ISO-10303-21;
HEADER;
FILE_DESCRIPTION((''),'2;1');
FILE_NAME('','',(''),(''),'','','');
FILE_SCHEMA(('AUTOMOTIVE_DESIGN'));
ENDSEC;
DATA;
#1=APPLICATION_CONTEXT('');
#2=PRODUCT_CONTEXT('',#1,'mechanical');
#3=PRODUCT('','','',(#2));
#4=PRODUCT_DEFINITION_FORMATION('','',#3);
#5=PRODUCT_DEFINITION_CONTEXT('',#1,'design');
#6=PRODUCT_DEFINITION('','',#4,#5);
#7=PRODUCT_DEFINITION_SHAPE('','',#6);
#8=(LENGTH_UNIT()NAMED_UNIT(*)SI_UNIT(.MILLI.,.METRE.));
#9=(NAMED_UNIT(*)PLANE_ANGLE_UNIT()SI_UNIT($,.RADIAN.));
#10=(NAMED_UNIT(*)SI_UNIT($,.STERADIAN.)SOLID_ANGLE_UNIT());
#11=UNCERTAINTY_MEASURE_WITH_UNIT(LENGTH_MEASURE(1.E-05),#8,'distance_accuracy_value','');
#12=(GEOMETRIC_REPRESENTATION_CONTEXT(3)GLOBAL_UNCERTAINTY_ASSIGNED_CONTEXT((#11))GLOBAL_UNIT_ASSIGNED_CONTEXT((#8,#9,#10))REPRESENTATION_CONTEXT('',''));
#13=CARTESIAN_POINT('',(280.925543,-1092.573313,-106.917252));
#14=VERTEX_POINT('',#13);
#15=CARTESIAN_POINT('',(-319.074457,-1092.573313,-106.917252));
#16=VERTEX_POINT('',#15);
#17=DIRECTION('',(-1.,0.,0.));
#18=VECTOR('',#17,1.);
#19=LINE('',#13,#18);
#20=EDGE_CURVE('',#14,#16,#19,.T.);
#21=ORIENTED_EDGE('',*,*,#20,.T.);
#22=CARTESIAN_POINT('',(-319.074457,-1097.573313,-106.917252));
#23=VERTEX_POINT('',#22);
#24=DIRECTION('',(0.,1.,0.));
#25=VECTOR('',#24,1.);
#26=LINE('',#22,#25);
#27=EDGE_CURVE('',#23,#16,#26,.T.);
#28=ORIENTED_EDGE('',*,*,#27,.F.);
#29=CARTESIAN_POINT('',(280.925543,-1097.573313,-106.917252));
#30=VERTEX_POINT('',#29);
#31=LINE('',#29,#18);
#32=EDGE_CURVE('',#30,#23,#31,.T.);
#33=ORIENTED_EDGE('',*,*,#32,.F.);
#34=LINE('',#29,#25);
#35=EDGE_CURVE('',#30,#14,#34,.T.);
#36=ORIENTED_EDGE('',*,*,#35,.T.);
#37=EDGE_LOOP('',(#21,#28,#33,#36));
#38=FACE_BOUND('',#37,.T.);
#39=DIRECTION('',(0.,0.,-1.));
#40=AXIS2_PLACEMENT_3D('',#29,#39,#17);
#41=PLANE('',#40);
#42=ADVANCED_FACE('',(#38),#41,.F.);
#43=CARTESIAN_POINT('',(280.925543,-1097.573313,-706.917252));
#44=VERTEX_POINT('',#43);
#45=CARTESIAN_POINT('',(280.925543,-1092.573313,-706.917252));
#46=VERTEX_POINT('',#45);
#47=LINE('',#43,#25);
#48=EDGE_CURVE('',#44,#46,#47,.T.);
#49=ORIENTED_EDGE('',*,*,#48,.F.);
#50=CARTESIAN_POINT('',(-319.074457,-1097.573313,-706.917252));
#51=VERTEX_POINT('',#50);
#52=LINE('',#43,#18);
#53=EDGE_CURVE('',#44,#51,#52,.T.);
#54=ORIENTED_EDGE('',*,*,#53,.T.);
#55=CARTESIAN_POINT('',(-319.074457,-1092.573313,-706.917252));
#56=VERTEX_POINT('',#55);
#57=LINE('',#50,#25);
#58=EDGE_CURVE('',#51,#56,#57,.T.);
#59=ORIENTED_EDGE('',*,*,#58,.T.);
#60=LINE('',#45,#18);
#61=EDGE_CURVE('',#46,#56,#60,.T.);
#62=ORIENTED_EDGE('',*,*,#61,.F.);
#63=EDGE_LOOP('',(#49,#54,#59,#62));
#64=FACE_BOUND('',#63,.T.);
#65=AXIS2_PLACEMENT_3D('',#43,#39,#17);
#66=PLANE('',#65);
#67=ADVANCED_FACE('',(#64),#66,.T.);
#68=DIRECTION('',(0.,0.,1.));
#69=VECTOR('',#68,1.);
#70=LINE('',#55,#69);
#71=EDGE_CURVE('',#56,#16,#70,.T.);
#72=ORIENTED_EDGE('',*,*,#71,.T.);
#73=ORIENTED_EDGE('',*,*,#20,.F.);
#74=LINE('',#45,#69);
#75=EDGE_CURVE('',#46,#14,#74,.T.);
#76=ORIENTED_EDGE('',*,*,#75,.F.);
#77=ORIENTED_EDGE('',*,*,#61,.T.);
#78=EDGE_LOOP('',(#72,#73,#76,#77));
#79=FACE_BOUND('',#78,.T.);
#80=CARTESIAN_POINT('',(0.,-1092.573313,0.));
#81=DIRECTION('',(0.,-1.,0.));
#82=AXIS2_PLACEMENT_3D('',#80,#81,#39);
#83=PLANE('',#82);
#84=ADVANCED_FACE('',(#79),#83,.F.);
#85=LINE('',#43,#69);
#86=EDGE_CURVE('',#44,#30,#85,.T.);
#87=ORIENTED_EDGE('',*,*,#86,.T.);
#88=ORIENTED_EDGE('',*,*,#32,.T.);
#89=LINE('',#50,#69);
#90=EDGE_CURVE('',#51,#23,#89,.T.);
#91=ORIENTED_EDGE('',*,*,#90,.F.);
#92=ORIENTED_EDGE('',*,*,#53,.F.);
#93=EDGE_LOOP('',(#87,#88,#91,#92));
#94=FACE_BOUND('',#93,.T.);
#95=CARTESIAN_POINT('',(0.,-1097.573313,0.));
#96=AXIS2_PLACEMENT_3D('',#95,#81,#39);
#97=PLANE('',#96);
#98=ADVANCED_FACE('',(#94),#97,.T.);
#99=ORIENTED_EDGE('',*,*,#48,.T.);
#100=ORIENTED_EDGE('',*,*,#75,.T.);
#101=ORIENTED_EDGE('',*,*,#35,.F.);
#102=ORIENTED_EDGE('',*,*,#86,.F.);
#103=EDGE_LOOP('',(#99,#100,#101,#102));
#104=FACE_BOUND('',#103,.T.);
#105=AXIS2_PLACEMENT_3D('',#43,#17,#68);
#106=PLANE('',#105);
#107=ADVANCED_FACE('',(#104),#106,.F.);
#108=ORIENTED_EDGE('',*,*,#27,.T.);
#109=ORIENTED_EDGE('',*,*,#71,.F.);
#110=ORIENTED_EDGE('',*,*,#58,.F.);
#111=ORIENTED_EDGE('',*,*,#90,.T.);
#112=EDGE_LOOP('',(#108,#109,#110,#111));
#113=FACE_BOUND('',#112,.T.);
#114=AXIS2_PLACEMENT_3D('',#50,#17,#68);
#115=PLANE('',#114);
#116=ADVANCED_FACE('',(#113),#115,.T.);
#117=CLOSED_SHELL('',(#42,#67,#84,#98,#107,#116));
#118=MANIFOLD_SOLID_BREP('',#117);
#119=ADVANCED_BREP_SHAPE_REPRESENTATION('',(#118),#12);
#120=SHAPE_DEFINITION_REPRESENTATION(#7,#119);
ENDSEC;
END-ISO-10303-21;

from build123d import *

# Parameters (mm, degrees)
SKETCH1_W           = 600
SKETCH1_H           = 600
BOSS_EXTRUDE1_DEPTH = 5


with BuildPart() as part:
    # Sketch1 → Boss-Extrude1 (new body)
    with BuildSketch(Plane(origin=(-19.074457196, -1092.573312588, -406.917252354), x_dir=(1, 0, 0), z_dir=(0, -1, 0))):
        Rectangle(SKETCH1_W, SKETCH1_H)
    extrude(amount=BOSS_EXTRUDE1_DEPTH)


solid = part.part
